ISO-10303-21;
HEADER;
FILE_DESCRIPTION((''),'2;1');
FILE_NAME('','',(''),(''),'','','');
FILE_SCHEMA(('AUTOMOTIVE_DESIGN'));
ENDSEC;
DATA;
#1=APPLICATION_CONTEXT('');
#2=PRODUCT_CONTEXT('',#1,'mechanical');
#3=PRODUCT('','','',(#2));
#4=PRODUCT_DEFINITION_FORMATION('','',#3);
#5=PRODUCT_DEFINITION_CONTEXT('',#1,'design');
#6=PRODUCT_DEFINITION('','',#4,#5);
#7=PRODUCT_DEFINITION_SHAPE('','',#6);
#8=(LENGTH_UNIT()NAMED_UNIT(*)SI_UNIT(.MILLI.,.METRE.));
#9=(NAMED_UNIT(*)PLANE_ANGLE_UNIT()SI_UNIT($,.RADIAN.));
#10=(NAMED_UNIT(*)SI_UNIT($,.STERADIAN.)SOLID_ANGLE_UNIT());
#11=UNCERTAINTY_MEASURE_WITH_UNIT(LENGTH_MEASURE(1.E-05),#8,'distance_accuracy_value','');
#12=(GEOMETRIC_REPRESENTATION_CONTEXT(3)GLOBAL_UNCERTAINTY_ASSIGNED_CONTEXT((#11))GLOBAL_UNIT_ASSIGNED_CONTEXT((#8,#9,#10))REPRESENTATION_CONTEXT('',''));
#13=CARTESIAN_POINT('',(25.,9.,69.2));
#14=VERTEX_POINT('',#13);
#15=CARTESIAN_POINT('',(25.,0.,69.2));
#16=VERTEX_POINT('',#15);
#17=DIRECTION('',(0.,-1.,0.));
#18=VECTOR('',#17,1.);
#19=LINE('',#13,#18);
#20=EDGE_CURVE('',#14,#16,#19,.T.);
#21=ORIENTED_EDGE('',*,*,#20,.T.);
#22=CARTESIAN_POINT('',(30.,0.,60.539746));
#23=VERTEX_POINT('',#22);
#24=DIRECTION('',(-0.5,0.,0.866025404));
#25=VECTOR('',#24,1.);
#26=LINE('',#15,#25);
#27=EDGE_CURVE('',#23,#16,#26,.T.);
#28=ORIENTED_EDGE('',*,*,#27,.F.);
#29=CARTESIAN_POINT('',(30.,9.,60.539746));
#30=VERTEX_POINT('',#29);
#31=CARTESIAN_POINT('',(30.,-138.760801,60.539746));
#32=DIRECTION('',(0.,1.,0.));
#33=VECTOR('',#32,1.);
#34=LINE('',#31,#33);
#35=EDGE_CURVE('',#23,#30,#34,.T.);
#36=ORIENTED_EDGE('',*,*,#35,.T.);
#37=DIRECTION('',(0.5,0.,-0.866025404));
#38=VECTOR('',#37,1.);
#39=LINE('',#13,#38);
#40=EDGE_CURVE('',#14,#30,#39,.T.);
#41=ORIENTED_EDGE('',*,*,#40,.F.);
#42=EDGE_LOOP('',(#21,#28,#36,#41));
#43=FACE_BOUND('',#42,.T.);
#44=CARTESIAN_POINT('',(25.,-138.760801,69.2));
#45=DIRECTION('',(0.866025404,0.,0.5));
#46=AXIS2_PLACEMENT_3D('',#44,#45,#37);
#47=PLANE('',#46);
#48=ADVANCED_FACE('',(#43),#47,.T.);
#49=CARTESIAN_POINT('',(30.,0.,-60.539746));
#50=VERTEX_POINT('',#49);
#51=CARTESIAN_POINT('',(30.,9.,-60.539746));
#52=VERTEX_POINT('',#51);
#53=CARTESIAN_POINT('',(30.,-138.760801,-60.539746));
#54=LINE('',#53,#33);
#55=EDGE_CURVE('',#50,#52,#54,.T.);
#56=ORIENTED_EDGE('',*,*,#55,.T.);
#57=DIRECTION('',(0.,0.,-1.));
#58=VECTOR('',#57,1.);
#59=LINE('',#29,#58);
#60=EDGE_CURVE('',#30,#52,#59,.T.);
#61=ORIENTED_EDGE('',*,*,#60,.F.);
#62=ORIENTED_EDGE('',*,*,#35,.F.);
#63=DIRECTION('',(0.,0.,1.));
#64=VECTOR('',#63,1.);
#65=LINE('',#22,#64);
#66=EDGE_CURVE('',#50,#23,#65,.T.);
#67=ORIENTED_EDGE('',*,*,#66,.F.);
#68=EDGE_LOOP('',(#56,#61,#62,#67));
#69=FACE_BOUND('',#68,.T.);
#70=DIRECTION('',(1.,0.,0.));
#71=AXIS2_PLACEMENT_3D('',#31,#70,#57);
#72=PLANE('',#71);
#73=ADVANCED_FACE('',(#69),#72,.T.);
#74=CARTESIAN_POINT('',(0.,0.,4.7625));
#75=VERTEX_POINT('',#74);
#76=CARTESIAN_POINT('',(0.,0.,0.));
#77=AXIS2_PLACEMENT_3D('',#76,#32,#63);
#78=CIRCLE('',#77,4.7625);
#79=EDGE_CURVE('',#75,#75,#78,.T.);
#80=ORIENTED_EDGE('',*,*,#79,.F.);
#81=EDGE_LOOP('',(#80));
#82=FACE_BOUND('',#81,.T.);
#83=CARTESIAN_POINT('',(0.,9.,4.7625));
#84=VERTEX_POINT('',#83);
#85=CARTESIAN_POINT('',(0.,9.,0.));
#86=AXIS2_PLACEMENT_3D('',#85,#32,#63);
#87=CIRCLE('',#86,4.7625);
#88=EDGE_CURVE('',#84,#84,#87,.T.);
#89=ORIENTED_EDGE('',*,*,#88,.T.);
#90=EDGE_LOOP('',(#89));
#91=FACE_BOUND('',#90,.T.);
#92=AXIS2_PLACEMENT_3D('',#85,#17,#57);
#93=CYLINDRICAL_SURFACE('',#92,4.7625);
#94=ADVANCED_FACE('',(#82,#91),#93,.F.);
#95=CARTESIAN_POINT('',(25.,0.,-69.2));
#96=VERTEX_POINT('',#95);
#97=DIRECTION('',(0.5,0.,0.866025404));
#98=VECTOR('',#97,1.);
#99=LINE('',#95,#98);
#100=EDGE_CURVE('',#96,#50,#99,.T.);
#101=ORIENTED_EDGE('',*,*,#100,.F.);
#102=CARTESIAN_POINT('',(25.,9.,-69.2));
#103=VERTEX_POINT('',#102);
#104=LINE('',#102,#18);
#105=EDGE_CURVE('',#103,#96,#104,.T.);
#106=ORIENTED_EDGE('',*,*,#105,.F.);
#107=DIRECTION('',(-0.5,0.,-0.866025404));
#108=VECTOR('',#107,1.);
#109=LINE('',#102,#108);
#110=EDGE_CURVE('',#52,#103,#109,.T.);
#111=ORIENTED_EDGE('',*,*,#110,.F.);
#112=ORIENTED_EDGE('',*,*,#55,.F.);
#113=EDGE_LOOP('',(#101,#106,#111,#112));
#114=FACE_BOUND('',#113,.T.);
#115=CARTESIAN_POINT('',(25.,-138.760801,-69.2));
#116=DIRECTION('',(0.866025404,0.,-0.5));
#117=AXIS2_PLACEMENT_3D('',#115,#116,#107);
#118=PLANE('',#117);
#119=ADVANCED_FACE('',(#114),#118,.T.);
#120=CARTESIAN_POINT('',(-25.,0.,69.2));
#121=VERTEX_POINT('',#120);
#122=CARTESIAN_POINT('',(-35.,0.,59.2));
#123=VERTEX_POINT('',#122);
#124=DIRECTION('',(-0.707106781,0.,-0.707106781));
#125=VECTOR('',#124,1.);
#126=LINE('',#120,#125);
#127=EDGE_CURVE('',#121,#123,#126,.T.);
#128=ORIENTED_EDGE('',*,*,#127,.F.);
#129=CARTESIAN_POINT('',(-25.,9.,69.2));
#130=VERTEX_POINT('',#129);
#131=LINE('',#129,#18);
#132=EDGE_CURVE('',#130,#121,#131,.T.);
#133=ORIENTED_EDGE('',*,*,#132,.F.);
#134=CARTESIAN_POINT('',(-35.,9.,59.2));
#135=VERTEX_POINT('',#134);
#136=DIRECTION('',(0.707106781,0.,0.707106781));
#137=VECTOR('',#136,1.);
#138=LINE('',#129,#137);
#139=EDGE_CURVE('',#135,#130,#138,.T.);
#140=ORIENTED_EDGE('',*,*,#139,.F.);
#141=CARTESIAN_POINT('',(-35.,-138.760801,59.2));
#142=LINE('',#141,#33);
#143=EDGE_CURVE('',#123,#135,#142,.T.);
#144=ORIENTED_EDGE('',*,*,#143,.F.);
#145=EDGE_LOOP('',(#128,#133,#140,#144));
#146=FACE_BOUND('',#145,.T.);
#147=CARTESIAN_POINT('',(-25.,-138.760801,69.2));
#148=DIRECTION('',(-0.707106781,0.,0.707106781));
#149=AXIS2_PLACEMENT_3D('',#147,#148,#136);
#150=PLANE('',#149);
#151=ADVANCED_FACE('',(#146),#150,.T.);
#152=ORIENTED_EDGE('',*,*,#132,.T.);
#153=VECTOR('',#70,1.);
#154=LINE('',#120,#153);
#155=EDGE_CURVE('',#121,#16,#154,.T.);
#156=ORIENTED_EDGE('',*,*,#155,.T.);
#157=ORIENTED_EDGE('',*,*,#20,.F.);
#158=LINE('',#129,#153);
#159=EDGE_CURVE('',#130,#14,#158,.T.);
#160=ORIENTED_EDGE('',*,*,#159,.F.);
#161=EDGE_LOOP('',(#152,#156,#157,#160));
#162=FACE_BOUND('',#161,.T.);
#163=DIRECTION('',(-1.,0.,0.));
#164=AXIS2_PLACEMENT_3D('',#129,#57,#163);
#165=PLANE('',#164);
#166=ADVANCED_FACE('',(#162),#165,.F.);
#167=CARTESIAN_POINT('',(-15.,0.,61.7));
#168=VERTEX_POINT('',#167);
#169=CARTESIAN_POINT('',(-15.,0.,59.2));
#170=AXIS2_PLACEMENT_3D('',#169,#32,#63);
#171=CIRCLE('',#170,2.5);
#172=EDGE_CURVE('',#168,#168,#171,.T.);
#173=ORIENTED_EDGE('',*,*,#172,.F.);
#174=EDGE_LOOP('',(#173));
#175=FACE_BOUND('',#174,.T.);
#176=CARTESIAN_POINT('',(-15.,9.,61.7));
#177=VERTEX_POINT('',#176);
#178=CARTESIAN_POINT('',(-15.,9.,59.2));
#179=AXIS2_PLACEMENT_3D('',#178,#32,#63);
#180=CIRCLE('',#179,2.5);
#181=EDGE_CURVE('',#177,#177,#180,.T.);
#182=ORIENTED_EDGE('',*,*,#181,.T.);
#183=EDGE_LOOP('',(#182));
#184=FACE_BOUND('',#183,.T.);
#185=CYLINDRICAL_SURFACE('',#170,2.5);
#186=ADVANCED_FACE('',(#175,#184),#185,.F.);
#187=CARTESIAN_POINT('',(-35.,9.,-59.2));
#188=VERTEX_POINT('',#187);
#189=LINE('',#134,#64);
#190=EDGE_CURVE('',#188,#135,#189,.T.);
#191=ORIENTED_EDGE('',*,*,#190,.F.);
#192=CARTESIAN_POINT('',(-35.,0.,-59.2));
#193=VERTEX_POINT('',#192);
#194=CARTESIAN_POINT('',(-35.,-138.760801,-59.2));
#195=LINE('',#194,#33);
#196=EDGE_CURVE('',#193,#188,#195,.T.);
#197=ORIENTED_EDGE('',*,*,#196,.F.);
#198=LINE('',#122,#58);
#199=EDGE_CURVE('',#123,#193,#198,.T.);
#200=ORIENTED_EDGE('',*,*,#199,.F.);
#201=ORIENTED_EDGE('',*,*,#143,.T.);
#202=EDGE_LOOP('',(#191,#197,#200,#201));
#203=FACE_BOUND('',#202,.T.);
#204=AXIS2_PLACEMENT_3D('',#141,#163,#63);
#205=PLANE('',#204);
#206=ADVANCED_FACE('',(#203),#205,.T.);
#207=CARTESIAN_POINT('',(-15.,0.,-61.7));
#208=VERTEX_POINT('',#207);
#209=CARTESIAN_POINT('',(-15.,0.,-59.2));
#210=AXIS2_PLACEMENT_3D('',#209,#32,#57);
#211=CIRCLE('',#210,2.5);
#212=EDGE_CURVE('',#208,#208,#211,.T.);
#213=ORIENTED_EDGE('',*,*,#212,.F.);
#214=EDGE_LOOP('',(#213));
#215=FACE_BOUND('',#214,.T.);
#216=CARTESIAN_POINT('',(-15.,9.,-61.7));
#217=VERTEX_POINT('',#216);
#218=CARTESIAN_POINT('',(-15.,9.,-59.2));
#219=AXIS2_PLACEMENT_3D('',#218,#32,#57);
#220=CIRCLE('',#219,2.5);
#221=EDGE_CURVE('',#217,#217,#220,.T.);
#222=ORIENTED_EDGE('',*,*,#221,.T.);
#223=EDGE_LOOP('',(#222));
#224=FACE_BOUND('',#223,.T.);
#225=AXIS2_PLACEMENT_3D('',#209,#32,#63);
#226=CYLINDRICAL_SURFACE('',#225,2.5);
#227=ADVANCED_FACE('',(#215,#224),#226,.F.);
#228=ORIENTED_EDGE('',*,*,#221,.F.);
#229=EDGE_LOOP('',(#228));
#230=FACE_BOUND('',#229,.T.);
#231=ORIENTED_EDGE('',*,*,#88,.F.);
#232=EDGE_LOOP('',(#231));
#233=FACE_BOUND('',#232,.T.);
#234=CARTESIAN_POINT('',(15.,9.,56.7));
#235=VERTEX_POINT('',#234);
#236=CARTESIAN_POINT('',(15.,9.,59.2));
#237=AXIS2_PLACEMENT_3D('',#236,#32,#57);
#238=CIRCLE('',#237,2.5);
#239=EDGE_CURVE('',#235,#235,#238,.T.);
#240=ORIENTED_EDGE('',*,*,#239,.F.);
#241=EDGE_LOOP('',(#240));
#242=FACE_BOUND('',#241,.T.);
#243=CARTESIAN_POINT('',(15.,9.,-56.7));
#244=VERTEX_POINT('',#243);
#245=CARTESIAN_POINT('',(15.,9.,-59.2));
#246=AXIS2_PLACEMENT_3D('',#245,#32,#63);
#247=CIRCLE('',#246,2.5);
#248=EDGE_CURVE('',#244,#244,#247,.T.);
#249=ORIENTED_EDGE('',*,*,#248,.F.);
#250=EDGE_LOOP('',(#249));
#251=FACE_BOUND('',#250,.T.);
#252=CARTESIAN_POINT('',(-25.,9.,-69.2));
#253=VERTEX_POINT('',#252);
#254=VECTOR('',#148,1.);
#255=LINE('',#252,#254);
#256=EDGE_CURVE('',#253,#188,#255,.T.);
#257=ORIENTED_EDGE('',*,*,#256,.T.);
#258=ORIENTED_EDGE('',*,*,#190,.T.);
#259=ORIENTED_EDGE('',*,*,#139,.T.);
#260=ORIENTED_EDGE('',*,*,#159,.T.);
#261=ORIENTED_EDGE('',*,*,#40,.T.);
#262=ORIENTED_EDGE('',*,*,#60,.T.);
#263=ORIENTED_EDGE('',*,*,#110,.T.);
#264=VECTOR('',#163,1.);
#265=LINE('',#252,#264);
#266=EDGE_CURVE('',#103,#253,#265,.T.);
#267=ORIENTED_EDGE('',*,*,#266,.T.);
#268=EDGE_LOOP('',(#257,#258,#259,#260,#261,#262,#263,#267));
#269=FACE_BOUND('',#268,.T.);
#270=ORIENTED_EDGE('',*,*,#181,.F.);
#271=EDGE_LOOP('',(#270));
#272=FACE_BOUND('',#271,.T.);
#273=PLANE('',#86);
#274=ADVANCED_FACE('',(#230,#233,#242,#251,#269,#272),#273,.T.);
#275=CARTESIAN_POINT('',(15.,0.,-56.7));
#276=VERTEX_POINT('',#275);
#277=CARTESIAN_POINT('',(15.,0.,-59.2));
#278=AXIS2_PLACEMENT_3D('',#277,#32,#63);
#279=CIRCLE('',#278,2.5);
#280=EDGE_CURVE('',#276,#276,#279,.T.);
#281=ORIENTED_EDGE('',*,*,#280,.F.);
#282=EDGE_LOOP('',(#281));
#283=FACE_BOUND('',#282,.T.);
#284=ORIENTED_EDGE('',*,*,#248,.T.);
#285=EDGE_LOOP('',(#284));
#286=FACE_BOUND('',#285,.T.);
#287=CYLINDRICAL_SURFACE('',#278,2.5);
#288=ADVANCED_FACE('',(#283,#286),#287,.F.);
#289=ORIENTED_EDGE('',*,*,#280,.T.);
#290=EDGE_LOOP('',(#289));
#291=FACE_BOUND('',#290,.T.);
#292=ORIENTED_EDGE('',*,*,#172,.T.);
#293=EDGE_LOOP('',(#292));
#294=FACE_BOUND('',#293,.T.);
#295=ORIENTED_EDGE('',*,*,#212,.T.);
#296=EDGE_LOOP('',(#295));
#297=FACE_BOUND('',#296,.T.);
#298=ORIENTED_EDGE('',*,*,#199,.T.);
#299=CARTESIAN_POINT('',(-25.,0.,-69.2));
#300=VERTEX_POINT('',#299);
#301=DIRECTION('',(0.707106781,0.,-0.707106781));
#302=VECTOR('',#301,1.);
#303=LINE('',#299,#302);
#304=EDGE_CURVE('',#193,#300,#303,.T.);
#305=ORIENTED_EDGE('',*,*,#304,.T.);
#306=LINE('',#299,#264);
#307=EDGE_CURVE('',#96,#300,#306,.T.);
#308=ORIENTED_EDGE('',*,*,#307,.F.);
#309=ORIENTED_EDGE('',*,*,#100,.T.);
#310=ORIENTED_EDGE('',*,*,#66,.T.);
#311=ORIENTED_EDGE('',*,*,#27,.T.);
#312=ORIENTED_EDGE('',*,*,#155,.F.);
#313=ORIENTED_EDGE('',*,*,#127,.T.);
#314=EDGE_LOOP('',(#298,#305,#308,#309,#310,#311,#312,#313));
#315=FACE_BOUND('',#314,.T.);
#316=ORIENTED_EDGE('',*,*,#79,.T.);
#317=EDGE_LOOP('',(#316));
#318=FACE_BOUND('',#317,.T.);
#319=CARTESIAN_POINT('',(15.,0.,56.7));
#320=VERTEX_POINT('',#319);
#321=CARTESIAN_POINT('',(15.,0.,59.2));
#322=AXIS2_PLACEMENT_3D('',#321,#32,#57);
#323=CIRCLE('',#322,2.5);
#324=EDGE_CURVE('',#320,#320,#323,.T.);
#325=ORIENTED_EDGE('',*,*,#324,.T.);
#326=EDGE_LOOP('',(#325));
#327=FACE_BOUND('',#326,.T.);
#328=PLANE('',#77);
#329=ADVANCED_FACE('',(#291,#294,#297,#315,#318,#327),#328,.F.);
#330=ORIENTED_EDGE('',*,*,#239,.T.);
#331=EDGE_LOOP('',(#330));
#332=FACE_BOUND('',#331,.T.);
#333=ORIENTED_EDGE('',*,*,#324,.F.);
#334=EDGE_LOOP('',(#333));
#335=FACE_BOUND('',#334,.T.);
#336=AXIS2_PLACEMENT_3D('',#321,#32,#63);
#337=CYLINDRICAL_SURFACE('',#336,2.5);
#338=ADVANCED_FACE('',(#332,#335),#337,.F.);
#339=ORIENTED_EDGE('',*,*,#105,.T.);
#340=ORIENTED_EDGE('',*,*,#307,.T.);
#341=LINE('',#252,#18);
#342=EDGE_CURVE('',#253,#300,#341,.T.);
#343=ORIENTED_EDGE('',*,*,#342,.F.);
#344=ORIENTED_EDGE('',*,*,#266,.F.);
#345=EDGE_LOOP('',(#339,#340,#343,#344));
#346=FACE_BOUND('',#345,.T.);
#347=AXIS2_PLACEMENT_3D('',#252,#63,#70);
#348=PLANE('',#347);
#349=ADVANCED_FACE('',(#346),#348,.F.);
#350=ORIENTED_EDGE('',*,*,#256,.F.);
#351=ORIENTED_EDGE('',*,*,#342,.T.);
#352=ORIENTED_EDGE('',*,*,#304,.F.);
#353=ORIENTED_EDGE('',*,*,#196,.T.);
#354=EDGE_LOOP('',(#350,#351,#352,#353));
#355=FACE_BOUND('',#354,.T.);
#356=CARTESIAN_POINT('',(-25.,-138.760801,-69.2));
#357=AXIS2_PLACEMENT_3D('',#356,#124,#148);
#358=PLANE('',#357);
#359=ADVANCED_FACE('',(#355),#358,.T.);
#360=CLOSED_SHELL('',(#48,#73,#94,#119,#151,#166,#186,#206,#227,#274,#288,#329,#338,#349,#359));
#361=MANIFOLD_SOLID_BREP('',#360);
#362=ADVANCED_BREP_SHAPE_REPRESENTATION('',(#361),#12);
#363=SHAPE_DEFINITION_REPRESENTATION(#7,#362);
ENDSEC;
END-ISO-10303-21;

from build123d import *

# Parameters (mm, degrees)
CROQUIS1_W              = 50
CROQUIS1_H              = 138.4
CROQUIS1_R              = 4.7625
SALIENTE_EXTRUIR1_DEPTH = 9
CROQUIS2_R              = 2.5
CORTAR_EXTRUIR1_DEPTH   = 75.12583895
SALIENTE_EXTRUIR2_DEPTH = 9


with BuildPart() as part:
    # Croquis1 → Saliente-Extruir1 (new body)
    with BuildSketch(Plane(origin=(0, 0, 0), x_dir=(1, 0, 0), z_dir=(0, 1, 0))):
        Rectangle(CROQUIS1_W, CROQUIS1_H)
        with Locations(Location((0, 0, 0), (0, 0, 270))):
            Circle(CROQUIS1_R, mode=Mode.SUBTRACT)
    extrude(amount=SALIENTE_EXTRUIR1_DEPTH)

    # Croquis2 → Cortar-Extruir1 (cut, through all)
    with BuildSketch(Plane(origin=(0, 9, 0), x_dir=(1, 0, 0), z_dir=(0, 1, 0))):
        with Locations(Location((-15, -59.2, 0), (0, 0, 270))):
            Circle(CROQUIS2_R)
        with Locations(Location((15, -59.2, 0), (0, 0, 90))):
            Circle(CROQUIS2_R)
        with Locations(Location((15, 59.2, 0), (0, 0, 270))):
            Circle(CROQUIS2_R)
        with Locations(Location((-15, 59.2, 0), (0, 0, 90))):
            Circle(CROQUIS2_R)
    extrude(amount=-CORTAR_EXTRUIR1_DEPTH, mode=Mode.SUBTRACT)

    # Croquis3 → Saliente-Extruir2 (add)
    with BuildSketch(Plane(origin=(0, 9, 0), x_dir=(1, 0, 0), z_dir=(0, 1, 0))):
        Polygon((-25, 69.2), (-25, -69.2), (-35, -59.2), (-35, 59.2), align=None)
        Polygon((25, 69.2), (25, -69.2), (30, -60.539745962), (30, 60.539745962), align=None)
    extrude(amount=-SALIENTE_EXTRUIR2_DEPTH)


solid = part.part
